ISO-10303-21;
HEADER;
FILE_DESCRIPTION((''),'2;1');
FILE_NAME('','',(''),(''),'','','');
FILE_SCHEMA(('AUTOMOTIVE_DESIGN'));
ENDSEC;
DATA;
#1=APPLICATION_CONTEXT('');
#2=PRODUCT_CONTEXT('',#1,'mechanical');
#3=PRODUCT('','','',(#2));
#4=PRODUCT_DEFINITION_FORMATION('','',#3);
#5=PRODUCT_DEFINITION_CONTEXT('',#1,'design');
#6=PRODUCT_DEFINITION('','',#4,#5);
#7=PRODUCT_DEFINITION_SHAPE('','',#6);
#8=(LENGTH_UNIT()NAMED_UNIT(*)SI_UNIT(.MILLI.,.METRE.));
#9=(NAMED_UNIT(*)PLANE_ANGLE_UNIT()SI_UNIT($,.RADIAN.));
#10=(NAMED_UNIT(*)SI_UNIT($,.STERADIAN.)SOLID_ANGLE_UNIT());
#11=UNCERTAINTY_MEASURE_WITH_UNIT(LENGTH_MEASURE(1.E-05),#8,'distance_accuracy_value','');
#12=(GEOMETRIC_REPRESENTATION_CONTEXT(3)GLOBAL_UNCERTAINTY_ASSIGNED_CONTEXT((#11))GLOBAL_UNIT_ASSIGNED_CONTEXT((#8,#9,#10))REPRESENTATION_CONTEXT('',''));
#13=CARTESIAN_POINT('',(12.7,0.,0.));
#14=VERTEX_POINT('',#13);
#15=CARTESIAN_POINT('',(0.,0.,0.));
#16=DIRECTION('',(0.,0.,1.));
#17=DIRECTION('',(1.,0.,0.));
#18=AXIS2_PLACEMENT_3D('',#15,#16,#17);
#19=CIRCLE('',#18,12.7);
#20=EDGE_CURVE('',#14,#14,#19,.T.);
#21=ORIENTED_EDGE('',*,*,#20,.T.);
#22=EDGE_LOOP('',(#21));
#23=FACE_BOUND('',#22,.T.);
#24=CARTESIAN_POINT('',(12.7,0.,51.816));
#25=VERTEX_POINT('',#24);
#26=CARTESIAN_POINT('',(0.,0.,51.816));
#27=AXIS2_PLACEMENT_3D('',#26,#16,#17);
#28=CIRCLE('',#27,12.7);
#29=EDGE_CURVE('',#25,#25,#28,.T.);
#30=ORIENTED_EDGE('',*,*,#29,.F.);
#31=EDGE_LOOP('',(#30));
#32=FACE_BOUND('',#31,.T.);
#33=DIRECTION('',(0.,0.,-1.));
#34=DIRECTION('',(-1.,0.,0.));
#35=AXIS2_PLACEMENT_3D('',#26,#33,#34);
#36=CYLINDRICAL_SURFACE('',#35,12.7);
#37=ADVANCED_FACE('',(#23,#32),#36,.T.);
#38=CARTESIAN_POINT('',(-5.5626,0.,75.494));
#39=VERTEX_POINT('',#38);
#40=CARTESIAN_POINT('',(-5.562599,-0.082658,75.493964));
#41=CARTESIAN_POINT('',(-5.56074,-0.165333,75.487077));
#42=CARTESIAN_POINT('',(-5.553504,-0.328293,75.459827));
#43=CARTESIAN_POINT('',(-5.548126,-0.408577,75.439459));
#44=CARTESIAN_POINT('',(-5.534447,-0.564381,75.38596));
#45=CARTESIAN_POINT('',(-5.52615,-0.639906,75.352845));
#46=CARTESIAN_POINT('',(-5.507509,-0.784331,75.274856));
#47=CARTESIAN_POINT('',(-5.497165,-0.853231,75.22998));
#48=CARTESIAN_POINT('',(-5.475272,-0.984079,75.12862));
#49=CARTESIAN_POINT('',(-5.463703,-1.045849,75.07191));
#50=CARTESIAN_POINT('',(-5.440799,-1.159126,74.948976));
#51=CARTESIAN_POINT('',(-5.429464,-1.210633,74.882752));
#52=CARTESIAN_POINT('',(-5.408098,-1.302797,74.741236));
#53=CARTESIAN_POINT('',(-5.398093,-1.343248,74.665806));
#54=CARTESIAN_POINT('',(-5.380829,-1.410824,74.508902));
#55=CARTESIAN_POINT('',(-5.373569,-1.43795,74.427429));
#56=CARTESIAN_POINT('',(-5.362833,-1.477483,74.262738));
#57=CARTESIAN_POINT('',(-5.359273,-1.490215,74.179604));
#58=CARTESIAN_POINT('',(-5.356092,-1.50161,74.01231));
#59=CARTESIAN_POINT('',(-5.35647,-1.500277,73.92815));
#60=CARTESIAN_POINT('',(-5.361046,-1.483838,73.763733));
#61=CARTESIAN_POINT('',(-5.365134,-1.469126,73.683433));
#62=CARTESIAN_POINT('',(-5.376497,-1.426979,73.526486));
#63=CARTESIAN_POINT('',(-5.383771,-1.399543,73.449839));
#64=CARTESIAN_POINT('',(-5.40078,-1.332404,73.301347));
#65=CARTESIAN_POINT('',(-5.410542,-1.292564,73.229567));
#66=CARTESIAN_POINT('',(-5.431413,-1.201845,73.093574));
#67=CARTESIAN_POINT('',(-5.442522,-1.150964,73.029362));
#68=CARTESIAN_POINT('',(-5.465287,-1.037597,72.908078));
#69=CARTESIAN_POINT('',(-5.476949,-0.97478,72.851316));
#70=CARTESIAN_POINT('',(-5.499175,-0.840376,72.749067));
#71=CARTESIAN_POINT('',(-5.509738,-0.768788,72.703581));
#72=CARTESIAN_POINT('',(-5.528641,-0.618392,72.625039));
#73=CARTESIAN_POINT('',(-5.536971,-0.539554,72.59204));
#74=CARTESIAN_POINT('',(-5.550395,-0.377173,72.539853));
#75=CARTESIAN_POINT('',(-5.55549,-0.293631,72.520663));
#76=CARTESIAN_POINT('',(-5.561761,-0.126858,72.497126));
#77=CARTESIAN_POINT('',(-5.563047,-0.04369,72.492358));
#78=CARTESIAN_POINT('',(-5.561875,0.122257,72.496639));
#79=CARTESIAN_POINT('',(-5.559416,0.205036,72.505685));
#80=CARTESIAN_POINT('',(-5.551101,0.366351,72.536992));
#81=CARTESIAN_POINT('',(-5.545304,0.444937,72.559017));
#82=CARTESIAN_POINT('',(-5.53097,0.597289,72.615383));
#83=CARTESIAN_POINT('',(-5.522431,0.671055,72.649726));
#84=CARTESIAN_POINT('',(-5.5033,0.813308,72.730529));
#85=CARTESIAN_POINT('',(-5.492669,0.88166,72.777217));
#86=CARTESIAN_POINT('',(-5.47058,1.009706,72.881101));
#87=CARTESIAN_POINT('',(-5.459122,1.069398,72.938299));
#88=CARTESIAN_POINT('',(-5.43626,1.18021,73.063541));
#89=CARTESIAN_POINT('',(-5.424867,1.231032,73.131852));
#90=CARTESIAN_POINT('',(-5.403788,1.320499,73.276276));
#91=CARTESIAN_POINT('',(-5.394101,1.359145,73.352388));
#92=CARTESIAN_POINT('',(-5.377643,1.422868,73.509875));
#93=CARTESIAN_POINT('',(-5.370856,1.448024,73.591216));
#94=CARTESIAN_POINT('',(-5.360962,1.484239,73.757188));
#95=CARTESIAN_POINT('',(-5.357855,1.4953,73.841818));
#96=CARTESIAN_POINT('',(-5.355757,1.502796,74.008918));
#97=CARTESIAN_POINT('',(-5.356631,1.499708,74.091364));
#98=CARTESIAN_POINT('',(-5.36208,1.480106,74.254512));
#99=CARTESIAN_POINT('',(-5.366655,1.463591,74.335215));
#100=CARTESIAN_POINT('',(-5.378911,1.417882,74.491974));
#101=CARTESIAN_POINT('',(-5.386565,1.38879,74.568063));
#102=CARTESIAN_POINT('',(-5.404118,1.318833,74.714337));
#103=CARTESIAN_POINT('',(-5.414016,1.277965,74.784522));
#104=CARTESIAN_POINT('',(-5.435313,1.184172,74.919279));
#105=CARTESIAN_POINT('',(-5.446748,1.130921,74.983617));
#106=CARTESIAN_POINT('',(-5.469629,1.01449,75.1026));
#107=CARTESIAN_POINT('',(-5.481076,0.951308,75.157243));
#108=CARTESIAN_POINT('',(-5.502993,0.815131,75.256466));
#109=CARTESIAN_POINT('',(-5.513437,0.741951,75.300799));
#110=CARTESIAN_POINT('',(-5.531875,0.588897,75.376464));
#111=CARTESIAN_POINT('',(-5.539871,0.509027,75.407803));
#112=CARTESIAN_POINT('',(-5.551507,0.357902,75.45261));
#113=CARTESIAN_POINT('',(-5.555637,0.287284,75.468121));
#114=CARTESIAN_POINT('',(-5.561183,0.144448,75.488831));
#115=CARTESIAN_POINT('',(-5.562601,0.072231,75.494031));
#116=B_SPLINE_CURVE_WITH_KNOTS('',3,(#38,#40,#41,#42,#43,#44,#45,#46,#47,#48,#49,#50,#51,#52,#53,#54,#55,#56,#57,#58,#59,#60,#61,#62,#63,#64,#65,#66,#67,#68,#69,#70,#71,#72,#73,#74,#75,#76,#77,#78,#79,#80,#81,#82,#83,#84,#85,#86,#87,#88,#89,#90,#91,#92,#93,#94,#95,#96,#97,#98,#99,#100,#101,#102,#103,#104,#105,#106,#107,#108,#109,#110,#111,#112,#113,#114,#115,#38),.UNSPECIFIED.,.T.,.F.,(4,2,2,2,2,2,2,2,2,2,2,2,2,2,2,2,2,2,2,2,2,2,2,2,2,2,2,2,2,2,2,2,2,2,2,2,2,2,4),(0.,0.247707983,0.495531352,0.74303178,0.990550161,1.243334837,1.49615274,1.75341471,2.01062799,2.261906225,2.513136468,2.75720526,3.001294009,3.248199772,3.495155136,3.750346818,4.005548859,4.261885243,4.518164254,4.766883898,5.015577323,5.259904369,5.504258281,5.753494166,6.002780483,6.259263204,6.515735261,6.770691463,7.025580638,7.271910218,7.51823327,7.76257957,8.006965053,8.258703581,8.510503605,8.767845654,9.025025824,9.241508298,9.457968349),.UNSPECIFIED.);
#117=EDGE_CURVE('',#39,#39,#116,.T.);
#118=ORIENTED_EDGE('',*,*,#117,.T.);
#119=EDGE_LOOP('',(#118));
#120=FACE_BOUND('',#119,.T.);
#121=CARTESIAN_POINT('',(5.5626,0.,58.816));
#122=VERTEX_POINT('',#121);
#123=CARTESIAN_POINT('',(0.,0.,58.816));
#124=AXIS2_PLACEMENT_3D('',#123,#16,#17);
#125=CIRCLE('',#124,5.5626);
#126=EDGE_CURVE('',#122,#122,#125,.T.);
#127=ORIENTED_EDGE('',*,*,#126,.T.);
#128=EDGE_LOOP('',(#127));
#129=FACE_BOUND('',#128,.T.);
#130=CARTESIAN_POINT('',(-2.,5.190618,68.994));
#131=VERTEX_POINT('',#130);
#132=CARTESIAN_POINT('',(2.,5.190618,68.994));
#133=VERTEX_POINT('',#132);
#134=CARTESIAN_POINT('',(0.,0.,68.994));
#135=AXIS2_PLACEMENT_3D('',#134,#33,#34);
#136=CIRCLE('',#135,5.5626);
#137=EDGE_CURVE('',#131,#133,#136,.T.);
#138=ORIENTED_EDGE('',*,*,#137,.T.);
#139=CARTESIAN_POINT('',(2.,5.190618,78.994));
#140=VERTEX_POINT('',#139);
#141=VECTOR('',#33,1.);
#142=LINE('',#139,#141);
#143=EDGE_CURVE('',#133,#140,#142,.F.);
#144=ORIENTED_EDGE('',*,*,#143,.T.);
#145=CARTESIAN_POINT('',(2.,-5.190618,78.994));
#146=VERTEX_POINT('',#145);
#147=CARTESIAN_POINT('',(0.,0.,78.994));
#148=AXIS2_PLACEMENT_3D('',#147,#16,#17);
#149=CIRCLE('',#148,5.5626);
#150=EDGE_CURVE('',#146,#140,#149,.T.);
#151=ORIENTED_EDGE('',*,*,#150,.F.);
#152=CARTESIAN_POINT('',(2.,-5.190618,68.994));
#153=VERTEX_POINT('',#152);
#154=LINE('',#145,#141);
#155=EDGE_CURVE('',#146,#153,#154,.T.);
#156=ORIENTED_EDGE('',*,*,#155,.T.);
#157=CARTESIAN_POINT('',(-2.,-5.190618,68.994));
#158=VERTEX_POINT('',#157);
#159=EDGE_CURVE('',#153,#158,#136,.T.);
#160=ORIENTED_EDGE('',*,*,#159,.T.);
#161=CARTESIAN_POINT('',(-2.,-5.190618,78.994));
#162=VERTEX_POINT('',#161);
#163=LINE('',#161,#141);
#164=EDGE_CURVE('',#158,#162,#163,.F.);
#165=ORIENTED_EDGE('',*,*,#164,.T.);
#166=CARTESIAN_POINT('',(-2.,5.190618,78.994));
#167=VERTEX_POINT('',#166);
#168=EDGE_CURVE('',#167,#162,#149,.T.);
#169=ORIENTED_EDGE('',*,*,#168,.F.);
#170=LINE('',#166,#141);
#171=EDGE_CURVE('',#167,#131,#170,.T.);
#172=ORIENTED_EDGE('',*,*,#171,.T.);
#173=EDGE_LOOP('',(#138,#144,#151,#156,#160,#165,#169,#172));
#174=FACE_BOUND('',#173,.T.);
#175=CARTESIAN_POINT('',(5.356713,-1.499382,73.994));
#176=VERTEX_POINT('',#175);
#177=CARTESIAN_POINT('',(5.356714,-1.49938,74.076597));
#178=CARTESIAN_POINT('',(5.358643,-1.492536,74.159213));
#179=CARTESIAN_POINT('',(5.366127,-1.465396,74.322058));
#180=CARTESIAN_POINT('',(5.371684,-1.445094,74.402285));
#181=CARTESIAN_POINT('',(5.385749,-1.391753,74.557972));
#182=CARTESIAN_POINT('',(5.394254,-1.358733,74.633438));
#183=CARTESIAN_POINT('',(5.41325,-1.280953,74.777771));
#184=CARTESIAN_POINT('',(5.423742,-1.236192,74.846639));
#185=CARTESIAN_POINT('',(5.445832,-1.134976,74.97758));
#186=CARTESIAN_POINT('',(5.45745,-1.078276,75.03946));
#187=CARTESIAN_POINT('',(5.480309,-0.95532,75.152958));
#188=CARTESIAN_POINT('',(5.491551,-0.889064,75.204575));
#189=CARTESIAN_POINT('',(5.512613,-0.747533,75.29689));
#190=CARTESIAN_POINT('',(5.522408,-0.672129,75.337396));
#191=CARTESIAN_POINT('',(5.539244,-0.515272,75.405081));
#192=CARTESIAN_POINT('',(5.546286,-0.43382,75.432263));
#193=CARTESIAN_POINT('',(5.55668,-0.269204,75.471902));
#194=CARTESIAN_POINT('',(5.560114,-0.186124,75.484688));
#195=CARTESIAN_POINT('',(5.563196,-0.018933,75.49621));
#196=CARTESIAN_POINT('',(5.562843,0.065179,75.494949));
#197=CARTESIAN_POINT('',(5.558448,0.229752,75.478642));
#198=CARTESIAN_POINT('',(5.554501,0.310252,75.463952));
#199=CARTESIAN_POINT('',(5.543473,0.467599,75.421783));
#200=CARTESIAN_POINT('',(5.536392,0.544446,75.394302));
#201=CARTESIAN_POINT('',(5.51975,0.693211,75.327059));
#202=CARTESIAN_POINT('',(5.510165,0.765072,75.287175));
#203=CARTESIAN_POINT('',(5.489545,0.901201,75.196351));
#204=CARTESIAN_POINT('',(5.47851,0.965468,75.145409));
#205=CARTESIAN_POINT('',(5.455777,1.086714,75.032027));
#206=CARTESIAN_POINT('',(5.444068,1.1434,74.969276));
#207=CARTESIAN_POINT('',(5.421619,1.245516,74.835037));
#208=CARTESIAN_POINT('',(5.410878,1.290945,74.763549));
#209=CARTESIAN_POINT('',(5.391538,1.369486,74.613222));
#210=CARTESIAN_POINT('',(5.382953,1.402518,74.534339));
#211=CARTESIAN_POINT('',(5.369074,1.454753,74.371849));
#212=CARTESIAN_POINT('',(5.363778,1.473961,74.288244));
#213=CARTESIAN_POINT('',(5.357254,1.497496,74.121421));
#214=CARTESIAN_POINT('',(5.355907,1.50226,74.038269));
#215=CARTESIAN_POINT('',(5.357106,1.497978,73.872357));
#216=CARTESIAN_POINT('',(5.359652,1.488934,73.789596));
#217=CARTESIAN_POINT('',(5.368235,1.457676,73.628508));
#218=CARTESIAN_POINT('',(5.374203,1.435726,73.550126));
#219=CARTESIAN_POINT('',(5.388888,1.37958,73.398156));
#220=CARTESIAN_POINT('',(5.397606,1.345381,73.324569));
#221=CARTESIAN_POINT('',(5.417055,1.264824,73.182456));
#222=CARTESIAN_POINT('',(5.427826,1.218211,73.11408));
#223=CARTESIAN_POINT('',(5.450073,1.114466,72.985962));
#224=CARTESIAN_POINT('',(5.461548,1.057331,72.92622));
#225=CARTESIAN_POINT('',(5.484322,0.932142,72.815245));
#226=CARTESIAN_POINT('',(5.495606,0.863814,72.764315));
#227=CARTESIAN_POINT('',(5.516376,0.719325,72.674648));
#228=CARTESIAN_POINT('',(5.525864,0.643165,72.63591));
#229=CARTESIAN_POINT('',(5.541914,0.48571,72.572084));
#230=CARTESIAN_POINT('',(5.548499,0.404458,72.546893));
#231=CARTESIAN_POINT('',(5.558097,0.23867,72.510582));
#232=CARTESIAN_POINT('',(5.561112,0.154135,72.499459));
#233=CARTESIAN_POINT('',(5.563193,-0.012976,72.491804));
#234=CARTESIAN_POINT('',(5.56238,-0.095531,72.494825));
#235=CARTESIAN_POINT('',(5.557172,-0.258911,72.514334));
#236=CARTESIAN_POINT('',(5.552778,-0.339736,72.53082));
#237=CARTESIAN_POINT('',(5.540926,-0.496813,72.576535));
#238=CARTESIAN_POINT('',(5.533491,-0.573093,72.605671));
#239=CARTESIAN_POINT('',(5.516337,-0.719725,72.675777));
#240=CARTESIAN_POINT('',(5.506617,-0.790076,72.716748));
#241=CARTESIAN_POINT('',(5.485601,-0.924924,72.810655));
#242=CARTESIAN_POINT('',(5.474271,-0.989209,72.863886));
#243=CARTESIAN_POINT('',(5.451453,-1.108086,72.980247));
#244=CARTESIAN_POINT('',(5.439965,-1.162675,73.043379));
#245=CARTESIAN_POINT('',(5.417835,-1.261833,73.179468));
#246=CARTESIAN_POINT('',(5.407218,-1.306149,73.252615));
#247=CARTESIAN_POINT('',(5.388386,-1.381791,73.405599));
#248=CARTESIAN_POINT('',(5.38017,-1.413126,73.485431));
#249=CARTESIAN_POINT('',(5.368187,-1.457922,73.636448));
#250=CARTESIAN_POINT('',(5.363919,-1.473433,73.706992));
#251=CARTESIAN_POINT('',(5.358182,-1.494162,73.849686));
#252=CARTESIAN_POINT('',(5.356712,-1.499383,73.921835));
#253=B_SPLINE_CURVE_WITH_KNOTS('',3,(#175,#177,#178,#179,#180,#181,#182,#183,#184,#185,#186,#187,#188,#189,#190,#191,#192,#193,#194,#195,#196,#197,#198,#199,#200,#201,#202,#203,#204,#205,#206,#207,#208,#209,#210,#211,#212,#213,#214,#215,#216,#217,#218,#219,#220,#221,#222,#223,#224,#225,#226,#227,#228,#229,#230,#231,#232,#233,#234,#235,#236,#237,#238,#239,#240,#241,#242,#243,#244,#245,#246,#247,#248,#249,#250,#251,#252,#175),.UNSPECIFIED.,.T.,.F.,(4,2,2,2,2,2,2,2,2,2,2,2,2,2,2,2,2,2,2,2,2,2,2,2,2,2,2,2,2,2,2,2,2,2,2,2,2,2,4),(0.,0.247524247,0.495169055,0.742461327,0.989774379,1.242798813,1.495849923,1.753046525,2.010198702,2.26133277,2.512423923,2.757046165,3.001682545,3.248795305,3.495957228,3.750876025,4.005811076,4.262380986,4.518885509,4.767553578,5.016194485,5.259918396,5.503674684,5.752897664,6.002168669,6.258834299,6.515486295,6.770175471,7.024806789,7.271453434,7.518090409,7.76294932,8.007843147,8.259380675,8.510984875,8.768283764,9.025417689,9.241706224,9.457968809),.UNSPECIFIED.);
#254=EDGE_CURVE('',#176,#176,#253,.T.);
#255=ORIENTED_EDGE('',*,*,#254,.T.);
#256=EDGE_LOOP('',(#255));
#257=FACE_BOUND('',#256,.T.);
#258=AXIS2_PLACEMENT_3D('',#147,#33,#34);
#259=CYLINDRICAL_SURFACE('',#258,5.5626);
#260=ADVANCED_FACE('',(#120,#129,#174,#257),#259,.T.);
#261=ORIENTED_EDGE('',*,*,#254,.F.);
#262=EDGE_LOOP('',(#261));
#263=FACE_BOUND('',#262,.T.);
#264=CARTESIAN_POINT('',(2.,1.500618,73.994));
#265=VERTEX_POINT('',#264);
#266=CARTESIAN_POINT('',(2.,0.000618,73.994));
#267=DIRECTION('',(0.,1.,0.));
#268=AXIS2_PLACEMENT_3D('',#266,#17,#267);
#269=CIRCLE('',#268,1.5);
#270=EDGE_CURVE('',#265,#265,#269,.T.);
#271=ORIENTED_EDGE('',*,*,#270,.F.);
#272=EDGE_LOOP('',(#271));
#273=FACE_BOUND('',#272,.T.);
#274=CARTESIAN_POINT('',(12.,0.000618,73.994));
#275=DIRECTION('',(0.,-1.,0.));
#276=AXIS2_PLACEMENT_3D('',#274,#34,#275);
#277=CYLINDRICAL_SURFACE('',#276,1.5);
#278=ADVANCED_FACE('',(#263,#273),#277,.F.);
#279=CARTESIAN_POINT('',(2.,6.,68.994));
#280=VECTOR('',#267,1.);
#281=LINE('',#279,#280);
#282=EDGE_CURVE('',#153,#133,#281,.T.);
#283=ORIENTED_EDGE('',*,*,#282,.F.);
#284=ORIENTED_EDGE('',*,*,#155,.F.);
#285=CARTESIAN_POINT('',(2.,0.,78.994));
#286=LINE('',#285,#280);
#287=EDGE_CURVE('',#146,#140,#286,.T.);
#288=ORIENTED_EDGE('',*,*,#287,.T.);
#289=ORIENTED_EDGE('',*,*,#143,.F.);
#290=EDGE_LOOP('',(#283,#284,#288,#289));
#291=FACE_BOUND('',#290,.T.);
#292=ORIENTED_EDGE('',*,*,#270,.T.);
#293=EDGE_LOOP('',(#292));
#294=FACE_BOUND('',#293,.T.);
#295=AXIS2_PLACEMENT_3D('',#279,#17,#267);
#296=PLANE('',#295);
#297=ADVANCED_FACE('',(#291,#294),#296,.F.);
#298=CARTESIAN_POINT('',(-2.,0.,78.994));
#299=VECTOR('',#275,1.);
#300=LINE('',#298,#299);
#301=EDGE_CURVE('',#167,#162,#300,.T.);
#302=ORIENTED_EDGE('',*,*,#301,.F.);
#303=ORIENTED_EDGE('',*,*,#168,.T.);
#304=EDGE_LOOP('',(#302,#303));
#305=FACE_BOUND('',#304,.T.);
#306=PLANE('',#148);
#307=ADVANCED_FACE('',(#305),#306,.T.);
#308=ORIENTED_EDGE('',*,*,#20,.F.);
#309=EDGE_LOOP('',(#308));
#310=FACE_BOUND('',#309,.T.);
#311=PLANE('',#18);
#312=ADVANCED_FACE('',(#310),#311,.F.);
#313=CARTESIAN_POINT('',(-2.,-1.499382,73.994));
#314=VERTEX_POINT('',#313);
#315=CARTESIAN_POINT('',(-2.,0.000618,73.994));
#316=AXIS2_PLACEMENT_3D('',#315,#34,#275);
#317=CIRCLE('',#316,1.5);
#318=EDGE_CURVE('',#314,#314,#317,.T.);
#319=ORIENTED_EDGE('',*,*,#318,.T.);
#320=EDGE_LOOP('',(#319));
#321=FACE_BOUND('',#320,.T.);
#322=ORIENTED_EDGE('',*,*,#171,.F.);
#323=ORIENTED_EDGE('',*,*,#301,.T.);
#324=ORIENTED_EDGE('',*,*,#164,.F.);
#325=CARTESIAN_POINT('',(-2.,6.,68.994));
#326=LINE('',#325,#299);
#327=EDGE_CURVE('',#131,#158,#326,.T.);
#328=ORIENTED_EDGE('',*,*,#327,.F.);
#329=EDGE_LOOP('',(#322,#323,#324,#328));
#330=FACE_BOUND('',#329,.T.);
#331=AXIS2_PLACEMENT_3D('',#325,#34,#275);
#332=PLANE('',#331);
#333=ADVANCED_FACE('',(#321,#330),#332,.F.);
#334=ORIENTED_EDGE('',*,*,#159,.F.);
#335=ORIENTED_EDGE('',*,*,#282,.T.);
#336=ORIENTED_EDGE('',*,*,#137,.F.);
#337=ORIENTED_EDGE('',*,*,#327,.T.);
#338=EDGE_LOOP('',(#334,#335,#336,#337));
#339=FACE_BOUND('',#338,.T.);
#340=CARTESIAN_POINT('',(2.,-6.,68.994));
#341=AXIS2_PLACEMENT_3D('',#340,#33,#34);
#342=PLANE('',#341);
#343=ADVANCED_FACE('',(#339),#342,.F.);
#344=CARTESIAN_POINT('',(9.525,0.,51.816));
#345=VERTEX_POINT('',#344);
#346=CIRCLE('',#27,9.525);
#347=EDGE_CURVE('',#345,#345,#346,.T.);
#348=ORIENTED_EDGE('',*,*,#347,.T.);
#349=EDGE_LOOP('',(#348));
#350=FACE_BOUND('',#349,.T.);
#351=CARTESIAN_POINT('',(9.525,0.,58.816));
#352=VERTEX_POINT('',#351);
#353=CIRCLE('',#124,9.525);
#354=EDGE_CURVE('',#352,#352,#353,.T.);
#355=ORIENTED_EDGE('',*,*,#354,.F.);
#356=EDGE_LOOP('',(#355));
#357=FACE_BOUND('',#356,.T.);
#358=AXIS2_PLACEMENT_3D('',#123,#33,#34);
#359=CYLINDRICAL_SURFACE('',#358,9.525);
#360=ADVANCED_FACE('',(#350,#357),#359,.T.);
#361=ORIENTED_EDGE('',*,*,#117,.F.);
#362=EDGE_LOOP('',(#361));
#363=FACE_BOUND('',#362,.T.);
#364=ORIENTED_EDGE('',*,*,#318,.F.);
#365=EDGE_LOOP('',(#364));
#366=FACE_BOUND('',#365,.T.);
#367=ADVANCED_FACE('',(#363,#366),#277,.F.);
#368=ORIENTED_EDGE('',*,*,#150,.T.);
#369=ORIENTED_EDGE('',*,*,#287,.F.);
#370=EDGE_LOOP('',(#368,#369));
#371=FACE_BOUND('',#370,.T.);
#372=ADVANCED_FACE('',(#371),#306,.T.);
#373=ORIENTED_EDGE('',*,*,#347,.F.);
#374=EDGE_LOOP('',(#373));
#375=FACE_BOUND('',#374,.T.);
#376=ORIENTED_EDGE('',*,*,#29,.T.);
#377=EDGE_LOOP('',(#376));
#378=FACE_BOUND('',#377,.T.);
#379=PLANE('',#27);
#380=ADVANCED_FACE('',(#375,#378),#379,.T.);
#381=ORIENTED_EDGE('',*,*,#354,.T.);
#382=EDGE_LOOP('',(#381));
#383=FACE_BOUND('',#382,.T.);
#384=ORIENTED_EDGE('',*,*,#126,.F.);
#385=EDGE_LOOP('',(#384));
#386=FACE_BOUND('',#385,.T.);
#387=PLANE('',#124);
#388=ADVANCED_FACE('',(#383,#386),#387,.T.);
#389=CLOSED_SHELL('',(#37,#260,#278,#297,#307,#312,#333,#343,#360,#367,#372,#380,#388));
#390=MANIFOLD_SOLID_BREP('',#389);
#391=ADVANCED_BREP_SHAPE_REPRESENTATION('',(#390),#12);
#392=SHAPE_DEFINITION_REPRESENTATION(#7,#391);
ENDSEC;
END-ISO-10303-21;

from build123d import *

# Parameters (mm, degrees)
SKETCH1_R               = 12.7
EXTRUDE1_DEPTH          = 51.816
SKETCH2_R               = 9.525
EXTRUDE2_DEPTH          = 7
SKETCH3_R               = 5.5626
EXTRUDE3_DEPTH          = 20.178
SKETCH4_W               = 4
SKETCH4_H               = 12
CUT_EXTRUDE1_DEPTH      = 10
SKETCH5_R               = 1.5
CUT_EXTRUDE2_DEPTH      = 10
CUT_EXTRUDE2_DEPTH_BACK = 10


with BuildPart() as part:
    # Sketch1 → Extrude1 (new body)
    with BuildSketch(Plane.XY):
        Circle(SKETCH1_R)
    extrude(amount=EXTRUDE1_DEPTH)

    # Sketch2 → Extrude2 (add)
    with BuildSketch(Plane.XY.offset(51.816)):
        Circle(SKETCH2_R)
    extrude(amount=EXTRUDE2_DEPTH)

    # Sketch3 → Extrude3 (add)
    with BuildSketch(Plane.XY.offset(58.816)):
        Circle(SKETCH3_R)
    extrude(amount=EXTRUDE3_DEPTH)

    # Sketch4 → Cut-Extrude1 (cut)
    with BuildSketch(Plane.XY.offset(78.994)):
        Rectangle(SKETCH4_W, SKETCH4_H)
    extrude(amount=-CUT_EXTRUDE1_DEPTH, mode=Mode.SUBTRACT)

    # Sketch5 → Cut-Extrude2 (cut, two sides)
    with BuildSketch(Plane.ZY.offset(-2)) as cut_extrude2_sk:
        with Locations((73.994, 0.000618341)):
            Circle(SKETCH5_R)
    extrude(amount=CUT_EXTRUDE2_DEPTH, mode=Mode.SUBTRACT)
    extrude(cut_extrude2_sk.sketch, amount=-CUT_EXTRUDE2_DEPTH_BACK, mode=Mode.SUBTRACT)


solid = part.part
